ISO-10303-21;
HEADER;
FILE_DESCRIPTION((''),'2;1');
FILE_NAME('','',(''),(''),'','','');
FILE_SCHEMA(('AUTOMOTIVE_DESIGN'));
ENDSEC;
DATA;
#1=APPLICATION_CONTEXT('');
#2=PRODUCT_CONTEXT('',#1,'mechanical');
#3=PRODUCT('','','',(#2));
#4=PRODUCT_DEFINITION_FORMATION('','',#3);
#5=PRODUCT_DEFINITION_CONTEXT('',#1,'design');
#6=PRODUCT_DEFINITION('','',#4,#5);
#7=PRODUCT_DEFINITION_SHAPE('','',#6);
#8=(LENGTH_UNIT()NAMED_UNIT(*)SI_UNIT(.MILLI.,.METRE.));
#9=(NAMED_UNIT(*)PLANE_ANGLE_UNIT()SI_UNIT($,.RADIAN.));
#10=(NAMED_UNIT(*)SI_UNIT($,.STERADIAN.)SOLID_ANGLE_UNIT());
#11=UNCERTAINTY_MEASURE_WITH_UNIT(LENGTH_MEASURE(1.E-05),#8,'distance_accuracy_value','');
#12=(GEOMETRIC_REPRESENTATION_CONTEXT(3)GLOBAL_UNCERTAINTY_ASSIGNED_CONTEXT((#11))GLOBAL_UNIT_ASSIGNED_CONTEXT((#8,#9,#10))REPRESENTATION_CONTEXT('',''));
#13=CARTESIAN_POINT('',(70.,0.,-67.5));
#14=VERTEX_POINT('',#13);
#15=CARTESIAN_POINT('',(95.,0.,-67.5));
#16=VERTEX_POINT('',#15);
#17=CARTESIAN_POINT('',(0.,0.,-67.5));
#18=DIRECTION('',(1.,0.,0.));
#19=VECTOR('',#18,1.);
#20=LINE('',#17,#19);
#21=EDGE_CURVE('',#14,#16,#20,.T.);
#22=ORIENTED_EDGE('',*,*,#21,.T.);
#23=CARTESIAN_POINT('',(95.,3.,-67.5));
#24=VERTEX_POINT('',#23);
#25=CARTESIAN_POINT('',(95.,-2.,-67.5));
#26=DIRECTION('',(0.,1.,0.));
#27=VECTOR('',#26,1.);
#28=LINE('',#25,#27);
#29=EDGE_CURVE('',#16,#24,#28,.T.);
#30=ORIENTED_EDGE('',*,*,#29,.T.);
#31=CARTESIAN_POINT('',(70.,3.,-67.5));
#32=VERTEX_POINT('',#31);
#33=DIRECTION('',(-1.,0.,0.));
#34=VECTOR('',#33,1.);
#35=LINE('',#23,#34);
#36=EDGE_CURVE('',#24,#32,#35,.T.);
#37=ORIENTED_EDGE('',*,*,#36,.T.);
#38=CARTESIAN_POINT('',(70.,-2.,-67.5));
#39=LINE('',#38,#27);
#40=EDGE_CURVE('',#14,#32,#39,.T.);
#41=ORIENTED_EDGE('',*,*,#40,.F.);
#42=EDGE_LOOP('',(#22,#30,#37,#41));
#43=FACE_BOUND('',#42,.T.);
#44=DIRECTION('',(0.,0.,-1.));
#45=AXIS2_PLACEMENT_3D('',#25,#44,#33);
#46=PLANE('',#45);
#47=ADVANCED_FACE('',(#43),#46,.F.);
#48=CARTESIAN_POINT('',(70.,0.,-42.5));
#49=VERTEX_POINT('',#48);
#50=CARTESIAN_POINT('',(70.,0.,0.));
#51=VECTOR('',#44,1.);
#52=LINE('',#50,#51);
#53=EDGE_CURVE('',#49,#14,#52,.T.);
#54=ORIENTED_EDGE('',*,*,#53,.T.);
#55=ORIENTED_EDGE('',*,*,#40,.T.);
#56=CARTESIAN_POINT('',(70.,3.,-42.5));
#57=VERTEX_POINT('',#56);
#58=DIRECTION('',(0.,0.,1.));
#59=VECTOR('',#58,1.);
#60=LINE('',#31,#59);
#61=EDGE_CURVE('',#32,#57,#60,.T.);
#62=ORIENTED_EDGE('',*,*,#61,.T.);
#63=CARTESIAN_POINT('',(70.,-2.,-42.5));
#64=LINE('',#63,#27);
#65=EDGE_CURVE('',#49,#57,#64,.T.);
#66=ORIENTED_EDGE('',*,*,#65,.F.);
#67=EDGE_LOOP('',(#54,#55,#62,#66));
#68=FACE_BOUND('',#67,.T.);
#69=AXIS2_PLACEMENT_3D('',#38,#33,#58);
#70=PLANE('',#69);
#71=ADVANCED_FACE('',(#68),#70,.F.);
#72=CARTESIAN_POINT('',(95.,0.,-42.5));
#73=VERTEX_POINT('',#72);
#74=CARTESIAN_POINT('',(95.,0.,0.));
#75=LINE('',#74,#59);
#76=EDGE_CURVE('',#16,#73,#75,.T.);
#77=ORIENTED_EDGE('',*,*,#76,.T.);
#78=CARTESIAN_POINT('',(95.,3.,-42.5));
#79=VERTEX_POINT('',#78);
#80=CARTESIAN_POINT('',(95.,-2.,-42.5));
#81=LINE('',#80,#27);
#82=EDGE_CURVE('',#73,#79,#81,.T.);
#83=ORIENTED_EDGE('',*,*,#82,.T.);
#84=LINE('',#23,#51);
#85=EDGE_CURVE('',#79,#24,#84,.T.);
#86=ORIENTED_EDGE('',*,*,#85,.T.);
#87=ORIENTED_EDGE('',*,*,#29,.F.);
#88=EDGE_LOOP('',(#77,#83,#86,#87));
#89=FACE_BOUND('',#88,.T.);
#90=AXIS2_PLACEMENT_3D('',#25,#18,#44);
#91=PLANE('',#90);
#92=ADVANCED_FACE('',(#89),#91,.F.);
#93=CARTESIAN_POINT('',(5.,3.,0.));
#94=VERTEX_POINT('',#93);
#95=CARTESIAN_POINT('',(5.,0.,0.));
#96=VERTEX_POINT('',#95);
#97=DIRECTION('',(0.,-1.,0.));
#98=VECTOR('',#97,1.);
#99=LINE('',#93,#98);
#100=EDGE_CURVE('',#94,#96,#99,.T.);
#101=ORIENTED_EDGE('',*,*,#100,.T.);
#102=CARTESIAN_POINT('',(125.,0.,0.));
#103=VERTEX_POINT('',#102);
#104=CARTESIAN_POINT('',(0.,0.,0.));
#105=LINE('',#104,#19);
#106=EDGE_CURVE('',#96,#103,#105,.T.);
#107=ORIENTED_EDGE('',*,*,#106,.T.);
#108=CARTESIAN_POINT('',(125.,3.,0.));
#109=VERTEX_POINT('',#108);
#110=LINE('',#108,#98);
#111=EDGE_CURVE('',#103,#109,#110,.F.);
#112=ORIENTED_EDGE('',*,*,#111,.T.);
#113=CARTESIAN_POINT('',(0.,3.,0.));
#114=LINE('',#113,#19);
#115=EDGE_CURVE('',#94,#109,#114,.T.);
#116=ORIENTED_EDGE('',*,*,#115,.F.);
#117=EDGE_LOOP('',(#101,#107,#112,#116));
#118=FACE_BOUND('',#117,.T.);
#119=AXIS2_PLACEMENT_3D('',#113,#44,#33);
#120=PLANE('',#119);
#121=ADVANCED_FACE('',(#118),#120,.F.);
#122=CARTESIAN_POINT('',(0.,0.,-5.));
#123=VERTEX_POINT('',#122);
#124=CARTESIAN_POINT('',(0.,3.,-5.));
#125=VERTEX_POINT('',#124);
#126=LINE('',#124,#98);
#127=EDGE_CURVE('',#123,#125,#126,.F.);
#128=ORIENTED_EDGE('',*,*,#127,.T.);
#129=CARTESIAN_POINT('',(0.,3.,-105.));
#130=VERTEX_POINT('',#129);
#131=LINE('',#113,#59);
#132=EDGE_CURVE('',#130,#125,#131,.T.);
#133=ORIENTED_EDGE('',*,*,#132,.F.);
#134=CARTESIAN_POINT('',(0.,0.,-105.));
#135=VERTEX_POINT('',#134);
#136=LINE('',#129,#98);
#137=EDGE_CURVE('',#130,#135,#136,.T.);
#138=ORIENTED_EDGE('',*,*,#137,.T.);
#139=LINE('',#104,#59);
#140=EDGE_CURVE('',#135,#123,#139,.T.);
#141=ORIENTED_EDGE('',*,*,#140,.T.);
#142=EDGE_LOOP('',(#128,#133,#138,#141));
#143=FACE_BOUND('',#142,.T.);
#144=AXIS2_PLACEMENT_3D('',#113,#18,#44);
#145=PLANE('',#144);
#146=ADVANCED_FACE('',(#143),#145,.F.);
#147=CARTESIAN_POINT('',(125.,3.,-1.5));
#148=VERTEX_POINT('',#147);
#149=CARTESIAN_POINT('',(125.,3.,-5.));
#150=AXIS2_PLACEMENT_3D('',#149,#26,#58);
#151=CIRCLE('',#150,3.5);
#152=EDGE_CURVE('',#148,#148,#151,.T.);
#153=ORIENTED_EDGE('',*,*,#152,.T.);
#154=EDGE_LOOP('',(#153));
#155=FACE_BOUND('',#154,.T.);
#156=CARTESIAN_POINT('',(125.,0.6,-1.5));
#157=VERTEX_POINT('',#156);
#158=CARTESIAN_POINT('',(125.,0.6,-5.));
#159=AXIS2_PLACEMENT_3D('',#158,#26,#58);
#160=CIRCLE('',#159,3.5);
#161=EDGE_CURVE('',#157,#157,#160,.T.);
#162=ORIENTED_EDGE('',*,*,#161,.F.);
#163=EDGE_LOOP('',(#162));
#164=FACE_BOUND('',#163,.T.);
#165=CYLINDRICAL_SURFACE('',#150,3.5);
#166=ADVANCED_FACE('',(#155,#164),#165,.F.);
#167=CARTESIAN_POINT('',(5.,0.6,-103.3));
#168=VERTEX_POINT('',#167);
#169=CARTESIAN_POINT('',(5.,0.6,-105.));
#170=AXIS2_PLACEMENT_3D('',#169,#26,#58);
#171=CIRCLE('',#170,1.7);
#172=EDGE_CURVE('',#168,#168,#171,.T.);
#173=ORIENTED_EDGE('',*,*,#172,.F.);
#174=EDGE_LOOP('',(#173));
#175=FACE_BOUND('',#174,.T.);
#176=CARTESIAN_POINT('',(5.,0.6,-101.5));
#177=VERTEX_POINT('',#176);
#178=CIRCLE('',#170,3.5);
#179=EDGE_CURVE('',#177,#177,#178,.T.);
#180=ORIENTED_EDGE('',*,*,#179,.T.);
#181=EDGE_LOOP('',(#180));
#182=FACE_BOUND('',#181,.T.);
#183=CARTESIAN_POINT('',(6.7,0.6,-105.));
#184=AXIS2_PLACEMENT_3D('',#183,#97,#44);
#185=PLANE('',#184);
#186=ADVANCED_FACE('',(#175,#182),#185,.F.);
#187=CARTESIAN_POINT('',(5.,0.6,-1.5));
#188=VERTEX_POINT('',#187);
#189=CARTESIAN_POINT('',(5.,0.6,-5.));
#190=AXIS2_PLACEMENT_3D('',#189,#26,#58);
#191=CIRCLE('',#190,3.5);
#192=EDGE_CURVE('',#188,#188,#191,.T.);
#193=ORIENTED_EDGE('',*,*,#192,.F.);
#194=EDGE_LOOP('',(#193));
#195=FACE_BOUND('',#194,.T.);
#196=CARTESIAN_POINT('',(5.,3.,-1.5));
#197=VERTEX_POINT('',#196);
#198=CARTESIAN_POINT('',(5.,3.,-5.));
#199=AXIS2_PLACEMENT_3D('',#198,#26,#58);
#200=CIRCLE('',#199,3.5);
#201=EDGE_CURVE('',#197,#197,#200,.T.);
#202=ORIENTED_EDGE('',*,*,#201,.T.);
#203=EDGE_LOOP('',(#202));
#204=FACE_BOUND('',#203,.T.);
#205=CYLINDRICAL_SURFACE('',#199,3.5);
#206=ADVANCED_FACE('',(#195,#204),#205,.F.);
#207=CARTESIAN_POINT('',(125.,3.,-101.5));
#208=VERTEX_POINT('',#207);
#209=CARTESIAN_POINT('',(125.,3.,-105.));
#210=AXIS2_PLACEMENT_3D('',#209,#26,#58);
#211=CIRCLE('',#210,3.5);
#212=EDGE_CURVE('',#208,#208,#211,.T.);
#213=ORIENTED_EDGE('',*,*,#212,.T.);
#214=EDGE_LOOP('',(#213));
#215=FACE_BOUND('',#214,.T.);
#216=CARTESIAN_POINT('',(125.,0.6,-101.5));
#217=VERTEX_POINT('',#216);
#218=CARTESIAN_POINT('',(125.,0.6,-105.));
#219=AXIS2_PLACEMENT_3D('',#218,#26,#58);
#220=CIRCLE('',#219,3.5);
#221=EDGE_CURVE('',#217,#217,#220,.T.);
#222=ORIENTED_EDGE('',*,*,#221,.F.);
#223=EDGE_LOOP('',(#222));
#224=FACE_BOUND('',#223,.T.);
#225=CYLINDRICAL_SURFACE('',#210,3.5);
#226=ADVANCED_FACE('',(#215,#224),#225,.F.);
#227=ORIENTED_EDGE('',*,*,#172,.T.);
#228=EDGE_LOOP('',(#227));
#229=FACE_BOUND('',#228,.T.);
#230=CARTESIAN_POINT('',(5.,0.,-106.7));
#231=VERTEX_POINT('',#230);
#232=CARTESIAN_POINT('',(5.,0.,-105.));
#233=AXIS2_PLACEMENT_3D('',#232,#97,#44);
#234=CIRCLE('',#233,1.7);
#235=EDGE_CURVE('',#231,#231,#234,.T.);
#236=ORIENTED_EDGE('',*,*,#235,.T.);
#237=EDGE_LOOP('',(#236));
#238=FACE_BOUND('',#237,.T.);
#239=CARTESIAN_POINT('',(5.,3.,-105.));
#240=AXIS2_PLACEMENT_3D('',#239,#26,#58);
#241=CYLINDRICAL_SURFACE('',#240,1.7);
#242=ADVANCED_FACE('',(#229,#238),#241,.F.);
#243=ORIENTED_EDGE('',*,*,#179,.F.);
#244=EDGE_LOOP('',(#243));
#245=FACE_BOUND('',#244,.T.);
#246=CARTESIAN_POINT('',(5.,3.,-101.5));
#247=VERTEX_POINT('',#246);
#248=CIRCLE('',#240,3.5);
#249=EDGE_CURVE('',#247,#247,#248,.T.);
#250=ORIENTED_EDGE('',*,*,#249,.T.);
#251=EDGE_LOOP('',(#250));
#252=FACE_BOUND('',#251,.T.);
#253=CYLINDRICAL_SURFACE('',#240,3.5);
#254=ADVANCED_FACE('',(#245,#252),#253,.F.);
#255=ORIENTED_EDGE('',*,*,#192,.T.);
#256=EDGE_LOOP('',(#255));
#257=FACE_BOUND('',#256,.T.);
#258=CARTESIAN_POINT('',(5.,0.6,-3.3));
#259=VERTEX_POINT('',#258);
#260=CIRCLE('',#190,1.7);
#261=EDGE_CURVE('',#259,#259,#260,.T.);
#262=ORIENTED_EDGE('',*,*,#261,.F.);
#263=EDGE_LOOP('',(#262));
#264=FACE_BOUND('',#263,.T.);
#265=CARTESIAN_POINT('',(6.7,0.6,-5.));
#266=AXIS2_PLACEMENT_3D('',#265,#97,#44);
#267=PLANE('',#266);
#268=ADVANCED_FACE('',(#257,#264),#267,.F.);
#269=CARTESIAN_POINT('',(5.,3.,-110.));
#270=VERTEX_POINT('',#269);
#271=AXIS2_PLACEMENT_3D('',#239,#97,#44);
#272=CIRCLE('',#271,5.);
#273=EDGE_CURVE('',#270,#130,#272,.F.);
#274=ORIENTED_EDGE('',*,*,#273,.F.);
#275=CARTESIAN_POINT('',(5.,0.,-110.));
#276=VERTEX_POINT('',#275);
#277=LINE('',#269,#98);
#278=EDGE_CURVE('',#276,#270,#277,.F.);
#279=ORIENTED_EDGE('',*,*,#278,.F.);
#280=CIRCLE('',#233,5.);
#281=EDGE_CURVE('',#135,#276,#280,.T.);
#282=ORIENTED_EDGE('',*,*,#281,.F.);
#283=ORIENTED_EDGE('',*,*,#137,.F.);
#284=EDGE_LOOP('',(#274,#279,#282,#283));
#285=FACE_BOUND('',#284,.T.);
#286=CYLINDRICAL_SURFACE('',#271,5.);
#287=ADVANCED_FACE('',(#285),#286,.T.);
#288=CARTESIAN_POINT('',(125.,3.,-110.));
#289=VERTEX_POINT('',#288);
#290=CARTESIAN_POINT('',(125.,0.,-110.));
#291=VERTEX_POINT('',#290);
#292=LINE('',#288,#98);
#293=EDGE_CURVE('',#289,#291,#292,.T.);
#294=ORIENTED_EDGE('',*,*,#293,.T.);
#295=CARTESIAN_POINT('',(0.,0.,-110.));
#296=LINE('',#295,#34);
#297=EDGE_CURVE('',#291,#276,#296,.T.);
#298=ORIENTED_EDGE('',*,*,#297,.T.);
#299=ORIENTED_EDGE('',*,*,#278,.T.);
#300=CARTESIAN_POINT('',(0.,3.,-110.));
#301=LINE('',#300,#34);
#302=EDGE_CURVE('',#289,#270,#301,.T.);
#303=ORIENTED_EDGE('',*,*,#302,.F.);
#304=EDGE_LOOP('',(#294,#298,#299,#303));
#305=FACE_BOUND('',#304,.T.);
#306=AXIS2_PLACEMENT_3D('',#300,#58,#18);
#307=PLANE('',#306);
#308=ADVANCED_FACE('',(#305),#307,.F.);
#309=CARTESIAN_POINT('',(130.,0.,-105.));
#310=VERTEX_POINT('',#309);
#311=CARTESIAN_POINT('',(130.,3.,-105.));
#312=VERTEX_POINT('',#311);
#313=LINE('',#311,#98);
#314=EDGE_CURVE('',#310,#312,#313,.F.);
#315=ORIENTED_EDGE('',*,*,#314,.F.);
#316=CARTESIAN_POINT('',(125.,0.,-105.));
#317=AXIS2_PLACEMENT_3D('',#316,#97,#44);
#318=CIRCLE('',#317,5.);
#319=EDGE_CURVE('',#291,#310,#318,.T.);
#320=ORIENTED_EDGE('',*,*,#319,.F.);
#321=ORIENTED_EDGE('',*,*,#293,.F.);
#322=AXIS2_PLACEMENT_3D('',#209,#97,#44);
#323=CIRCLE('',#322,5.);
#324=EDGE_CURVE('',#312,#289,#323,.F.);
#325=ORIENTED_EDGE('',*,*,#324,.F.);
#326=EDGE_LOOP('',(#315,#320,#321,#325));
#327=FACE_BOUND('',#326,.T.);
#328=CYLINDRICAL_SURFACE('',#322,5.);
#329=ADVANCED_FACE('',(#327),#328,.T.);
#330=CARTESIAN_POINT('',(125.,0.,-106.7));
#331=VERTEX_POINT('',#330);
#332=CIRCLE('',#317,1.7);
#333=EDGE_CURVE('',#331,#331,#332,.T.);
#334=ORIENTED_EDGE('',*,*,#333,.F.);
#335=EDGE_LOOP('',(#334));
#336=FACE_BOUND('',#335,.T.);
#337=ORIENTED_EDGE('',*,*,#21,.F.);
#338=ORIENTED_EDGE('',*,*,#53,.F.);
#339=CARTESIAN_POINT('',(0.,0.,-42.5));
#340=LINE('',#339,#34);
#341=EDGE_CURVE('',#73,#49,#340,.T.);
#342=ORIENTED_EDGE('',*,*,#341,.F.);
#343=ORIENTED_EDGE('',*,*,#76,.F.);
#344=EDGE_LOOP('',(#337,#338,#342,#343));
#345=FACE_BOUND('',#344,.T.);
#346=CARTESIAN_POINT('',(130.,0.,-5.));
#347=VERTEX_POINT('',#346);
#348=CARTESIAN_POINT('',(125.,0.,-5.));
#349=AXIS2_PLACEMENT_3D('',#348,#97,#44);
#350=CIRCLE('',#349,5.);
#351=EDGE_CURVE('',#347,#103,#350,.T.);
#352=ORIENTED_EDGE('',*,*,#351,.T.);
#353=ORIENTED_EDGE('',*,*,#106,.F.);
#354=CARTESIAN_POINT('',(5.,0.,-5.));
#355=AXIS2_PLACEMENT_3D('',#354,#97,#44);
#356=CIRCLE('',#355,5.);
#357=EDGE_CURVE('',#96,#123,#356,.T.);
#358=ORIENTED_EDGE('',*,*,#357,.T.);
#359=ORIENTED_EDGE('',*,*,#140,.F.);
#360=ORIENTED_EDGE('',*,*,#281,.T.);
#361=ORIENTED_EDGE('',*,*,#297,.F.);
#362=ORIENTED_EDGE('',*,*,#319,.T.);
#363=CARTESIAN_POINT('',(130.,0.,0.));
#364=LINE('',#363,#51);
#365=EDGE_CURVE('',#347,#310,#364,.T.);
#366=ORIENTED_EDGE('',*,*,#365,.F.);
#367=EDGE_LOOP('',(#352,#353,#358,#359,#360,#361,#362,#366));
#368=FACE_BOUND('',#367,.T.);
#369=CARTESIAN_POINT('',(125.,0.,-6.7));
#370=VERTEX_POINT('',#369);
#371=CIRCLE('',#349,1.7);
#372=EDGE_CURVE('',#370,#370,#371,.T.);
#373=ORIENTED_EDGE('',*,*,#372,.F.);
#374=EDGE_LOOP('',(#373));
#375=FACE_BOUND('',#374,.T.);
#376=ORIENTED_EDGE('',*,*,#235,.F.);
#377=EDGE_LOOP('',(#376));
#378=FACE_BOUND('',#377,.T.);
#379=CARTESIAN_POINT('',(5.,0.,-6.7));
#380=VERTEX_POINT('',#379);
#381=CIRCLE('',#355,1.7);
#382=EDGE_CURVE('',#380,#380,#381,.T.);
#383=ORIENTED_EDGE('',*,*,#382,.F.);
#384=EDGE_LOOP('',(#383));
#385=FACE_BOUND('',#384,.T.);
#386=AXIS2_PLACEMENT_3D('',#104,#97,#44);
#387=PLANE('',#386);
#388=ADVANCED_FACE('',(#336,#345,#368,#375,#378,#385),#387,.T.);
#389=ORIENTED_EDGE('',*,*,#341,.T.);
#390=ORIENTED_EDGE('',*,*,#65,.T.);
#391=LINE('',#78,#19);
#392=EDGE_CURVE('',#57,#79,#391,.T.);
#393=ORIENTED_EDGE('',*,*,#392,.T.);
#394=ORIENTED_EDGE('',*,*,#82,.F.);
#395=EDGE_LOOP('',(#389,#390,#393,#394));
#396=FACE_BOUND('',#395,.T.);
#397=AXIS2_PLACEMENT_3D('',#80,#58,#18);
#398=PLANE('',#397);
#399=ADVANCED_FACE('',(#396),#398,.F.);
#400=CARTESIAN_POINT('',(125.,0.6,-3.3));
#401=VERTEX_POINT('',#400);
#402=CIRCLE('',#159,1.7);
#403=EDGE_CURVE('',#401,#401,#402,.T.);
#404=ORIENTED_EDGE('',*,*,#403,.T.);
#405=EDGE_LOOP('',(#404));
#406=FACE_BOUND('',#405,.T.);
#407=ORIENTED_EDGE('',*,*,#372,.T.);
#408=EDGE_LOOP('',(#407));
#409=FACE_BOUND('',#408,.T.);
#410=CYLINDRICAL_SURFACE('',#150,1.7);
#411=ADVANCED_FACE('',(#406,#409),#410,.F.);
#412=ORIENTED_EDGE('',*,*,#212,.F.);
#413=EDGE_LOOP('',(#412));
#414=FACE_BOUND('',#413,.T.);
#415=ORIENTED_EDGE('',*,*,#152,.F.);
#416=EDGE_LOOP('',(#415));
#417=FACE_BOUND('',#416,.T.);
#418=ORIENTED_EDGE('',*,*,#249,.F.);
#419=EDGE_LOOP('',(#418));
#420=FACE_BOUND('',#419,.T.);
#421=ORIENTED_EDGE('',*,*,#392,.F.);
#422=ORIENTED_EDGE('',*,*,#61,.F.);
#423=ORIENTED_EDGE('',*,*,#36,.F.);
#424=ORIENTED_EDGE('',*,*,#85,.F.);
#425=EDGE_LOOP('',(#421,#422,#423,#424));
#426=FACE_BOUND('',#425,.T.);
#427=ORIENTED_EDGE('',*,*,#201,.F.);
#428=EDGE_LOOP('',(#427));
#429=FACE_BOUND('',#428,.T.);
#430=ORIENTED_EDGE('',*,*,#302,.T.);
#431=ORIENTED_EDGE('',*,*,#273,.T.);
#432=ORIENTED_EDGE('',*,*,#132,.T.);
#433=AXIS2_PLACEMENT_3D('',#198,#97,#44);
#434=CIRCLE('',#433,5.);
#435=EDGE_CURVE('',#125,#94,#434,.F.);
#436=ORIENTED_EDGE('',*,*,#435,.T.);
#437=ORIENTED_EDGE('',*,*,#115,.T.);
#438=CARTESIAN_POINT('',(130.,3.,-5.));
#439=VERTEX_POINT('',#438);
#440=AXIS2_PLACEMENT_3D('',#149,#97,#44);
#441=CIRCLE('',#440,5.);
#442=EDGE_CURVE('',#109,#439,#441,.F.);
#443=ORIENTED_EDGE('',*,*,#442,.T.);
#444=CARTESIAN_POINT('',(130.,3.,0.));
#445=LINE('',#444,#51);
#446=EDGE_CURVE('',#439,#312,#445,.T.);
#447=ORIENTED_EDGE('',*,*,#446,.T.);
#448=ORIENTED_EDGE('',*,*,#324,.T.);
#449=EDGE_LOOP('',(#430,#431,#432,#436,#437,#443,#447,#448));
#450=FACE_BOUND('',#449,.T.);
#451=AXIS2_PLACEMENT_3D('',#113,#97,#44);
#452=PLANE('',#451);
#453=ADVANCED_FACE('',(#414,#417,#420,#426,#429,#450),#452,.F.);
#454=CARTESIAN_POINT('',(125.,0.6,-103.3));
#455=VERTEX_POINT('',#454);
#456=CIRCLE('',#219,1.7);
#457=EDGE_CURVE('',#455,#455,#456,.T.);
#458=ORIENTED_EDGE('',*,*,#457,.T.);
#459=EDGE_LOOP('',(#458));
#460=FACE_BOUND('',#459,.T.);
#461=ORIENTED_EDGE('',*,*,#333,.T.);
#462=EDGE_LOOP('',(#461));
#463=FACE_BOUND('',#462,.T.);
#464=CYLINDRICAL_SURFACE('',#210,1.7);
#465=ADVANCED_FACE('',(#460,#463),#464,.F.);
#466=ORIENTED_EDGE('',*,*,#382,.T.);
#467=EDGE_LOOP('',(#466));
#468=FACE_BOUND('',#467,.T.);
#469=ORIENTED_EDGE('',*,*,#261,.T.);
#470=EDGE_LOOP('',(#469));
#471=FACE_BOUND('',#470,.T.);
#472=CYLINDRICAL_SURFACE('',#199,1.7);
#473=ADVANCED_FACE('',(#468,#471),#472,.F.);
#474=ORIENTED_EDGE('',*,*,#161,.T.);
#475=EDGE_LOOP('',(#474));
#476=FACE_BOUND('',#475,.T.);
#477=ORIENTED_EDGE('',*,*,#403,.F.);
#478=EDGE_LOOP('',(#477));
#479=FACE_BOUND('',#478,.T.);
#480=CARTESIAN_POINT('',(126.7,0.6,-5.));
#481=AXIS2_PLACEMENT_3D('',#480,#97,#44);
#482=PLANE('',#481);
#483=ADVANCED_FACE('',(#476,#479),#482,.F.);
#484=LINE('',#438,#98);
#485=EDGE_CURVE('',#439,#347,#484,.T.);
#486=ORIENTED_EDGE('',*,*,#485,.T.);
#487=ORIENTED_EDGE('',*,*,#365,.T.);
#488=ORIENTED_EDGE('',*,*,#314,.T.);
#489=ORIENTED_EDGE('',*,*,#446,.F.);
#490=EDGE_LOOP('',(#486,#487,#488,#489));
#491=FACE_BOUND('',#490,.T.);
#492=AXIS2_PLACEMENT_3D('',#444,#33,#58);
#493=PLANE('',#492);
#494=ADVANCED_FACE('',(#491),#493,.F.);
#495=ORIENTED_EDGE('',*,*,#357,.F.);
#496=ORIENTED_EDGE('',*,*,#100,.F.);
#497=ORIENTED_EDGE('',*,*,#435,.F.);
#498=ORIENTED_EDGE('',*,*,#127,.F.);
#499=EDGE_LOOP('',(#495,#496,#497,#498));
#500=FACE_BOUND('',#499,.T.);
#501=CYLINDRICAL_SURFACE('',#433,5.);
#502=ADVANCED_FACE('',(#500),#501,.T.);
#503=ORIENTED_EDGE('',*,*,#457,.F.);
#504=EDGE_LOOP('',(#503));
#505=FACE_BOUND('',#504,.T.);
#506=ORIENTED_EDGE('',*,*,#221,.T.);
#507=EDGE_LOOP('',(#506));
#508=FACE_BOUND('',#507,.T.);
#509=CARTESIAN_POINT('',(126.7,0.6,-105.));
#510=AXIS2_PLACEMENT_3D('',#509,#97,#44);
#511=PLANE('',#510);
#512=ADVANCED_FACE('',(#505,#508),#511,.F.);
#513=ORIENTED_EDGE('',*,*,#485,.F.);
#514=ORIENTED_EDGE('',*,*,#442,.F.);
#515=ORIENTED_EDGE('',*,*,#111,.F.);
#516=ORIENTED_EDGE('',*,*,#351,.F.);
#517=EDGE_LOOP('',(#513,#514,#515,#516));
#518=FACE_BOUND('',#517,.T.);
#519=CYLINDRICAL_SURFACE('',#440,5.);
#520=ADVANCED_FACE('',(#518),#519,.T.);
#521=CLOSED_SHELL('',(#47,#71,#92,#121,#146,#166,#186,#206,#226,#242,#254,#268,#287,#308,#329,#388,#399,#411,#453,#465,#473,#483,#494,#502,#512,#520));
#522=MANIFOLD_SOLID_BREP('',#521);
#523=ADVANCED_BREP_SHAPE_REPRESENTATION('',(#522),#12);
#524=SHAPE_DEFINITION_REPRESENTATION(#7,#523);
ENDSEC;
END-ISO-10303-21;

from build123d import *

# Parameters (mm, degrees)
SKETCH1_W                                        = 130
SKETCH1_H                                        = 110
BOSS_EXTRUDE1_DEPTH                              = 3
CBORE_FOR_M3_PAN_HEAD_MACHINE_SCREW1_D           = 3.4
CBORE_FOR_M3_PAN_HEAD_MACHINE_SCREW1_DEPTH       = 7
CBORE_FOR_M3_PAN_HEAD_MACHINE_SCREW1_CBORE_D     = 7
CBORE_FOR_M3_PAN_HEAD_MACHINE_SCREW1_CBORE_DEPTH = 2.4
CBORE_FOR_M3_PAN_HEAD_MACHINE_SCREW1_TIP         = 1.021463052
SKETCH10_W                                       = 25
SKETCH10_H                                       = 25
CUT_EXTRUDE1_DEPTH                               = 5
FILLET1_R                                        = 5


with BuildPart() as part:
    # Sketch1 → Boss-Extrude1 (new body)
    with BuildSketch(Plane(origin=(0, 0, 0), x_dir=(1, 0, 0), z_dir=(0, 1, 0))):
        with Locations((65, 55)):
            Rectangle(SKETCH1_W, SKETCH1_H)
    extrude(amount=BOSS_EXTRUDE1_DEPTH)

    # CBORE for M3 Pan Head Machine Screw1
    with Locations(Plane(origin=(0, 3, 0), x_dir=(1, 0, 0), z_dir=(0, 1, 0))):
        with Locations((5, 105), (125, 105), (125, 5), (5, 5)):
            CounterBoreHole(CBORE_FOR_M3_PAN_HEAD_MACHINE_SCREW1_D / 2, CBORE_FOR_M3_PAN_HEAD_MACHINE_SCREW1_CBORE_D / 2, CBORE_FOR_M3_PAN_HEAD_MACHINE_SCREW1_CBORE_DEPTH, depth=CBORE_FOR_M3_PAN_HEAD_MACHINE_SCREW1_DEPTH)
            with Locations((0, 0, -(CBORE_FOR_M3_PAN_HEAD_MACHINE_SCREW1_DEPTH + CBORE_FOR_M3_PAN_HEAD_MACHINE_SCREW1_TIP / 2))):  # 118° drill point
                Cone(0, CBORE_FOR_M3_PAN_HEAD_MACHINE_SCREW1_D / 2, CBORE_FOR_M3_PAN_HEAD_MACHINE_SCREW1_TIP, mode=Mode.SUBTRACT)

    # Sketch10 → Cut-Extrude1 (cut)
    with BuildSketch(Plane(origin=(0, 3, 0), x_dir=(1, 0, 0), z_dir=(0, 1, 0))):
        with Locations((82.5, 55)):
            Rectangle(SKETCH10_W, SKETCH10_H)
    extrude(amount=-CUT_EXTRUDE1_DEPTH, mode=Mode.SUBTRACT)

    # Fillet1
    fillet1_edges = [part.edges().sort_by_distance(p)[0] for p in [
        (0, 1.5, -110),
        (130, 1.5, -110),
        (130, 1.5, 0),
        (0, 1.5, 0),
    ]]
    fillet(fillet1_edges, radius=FILLET1_R)


solid = part.part
